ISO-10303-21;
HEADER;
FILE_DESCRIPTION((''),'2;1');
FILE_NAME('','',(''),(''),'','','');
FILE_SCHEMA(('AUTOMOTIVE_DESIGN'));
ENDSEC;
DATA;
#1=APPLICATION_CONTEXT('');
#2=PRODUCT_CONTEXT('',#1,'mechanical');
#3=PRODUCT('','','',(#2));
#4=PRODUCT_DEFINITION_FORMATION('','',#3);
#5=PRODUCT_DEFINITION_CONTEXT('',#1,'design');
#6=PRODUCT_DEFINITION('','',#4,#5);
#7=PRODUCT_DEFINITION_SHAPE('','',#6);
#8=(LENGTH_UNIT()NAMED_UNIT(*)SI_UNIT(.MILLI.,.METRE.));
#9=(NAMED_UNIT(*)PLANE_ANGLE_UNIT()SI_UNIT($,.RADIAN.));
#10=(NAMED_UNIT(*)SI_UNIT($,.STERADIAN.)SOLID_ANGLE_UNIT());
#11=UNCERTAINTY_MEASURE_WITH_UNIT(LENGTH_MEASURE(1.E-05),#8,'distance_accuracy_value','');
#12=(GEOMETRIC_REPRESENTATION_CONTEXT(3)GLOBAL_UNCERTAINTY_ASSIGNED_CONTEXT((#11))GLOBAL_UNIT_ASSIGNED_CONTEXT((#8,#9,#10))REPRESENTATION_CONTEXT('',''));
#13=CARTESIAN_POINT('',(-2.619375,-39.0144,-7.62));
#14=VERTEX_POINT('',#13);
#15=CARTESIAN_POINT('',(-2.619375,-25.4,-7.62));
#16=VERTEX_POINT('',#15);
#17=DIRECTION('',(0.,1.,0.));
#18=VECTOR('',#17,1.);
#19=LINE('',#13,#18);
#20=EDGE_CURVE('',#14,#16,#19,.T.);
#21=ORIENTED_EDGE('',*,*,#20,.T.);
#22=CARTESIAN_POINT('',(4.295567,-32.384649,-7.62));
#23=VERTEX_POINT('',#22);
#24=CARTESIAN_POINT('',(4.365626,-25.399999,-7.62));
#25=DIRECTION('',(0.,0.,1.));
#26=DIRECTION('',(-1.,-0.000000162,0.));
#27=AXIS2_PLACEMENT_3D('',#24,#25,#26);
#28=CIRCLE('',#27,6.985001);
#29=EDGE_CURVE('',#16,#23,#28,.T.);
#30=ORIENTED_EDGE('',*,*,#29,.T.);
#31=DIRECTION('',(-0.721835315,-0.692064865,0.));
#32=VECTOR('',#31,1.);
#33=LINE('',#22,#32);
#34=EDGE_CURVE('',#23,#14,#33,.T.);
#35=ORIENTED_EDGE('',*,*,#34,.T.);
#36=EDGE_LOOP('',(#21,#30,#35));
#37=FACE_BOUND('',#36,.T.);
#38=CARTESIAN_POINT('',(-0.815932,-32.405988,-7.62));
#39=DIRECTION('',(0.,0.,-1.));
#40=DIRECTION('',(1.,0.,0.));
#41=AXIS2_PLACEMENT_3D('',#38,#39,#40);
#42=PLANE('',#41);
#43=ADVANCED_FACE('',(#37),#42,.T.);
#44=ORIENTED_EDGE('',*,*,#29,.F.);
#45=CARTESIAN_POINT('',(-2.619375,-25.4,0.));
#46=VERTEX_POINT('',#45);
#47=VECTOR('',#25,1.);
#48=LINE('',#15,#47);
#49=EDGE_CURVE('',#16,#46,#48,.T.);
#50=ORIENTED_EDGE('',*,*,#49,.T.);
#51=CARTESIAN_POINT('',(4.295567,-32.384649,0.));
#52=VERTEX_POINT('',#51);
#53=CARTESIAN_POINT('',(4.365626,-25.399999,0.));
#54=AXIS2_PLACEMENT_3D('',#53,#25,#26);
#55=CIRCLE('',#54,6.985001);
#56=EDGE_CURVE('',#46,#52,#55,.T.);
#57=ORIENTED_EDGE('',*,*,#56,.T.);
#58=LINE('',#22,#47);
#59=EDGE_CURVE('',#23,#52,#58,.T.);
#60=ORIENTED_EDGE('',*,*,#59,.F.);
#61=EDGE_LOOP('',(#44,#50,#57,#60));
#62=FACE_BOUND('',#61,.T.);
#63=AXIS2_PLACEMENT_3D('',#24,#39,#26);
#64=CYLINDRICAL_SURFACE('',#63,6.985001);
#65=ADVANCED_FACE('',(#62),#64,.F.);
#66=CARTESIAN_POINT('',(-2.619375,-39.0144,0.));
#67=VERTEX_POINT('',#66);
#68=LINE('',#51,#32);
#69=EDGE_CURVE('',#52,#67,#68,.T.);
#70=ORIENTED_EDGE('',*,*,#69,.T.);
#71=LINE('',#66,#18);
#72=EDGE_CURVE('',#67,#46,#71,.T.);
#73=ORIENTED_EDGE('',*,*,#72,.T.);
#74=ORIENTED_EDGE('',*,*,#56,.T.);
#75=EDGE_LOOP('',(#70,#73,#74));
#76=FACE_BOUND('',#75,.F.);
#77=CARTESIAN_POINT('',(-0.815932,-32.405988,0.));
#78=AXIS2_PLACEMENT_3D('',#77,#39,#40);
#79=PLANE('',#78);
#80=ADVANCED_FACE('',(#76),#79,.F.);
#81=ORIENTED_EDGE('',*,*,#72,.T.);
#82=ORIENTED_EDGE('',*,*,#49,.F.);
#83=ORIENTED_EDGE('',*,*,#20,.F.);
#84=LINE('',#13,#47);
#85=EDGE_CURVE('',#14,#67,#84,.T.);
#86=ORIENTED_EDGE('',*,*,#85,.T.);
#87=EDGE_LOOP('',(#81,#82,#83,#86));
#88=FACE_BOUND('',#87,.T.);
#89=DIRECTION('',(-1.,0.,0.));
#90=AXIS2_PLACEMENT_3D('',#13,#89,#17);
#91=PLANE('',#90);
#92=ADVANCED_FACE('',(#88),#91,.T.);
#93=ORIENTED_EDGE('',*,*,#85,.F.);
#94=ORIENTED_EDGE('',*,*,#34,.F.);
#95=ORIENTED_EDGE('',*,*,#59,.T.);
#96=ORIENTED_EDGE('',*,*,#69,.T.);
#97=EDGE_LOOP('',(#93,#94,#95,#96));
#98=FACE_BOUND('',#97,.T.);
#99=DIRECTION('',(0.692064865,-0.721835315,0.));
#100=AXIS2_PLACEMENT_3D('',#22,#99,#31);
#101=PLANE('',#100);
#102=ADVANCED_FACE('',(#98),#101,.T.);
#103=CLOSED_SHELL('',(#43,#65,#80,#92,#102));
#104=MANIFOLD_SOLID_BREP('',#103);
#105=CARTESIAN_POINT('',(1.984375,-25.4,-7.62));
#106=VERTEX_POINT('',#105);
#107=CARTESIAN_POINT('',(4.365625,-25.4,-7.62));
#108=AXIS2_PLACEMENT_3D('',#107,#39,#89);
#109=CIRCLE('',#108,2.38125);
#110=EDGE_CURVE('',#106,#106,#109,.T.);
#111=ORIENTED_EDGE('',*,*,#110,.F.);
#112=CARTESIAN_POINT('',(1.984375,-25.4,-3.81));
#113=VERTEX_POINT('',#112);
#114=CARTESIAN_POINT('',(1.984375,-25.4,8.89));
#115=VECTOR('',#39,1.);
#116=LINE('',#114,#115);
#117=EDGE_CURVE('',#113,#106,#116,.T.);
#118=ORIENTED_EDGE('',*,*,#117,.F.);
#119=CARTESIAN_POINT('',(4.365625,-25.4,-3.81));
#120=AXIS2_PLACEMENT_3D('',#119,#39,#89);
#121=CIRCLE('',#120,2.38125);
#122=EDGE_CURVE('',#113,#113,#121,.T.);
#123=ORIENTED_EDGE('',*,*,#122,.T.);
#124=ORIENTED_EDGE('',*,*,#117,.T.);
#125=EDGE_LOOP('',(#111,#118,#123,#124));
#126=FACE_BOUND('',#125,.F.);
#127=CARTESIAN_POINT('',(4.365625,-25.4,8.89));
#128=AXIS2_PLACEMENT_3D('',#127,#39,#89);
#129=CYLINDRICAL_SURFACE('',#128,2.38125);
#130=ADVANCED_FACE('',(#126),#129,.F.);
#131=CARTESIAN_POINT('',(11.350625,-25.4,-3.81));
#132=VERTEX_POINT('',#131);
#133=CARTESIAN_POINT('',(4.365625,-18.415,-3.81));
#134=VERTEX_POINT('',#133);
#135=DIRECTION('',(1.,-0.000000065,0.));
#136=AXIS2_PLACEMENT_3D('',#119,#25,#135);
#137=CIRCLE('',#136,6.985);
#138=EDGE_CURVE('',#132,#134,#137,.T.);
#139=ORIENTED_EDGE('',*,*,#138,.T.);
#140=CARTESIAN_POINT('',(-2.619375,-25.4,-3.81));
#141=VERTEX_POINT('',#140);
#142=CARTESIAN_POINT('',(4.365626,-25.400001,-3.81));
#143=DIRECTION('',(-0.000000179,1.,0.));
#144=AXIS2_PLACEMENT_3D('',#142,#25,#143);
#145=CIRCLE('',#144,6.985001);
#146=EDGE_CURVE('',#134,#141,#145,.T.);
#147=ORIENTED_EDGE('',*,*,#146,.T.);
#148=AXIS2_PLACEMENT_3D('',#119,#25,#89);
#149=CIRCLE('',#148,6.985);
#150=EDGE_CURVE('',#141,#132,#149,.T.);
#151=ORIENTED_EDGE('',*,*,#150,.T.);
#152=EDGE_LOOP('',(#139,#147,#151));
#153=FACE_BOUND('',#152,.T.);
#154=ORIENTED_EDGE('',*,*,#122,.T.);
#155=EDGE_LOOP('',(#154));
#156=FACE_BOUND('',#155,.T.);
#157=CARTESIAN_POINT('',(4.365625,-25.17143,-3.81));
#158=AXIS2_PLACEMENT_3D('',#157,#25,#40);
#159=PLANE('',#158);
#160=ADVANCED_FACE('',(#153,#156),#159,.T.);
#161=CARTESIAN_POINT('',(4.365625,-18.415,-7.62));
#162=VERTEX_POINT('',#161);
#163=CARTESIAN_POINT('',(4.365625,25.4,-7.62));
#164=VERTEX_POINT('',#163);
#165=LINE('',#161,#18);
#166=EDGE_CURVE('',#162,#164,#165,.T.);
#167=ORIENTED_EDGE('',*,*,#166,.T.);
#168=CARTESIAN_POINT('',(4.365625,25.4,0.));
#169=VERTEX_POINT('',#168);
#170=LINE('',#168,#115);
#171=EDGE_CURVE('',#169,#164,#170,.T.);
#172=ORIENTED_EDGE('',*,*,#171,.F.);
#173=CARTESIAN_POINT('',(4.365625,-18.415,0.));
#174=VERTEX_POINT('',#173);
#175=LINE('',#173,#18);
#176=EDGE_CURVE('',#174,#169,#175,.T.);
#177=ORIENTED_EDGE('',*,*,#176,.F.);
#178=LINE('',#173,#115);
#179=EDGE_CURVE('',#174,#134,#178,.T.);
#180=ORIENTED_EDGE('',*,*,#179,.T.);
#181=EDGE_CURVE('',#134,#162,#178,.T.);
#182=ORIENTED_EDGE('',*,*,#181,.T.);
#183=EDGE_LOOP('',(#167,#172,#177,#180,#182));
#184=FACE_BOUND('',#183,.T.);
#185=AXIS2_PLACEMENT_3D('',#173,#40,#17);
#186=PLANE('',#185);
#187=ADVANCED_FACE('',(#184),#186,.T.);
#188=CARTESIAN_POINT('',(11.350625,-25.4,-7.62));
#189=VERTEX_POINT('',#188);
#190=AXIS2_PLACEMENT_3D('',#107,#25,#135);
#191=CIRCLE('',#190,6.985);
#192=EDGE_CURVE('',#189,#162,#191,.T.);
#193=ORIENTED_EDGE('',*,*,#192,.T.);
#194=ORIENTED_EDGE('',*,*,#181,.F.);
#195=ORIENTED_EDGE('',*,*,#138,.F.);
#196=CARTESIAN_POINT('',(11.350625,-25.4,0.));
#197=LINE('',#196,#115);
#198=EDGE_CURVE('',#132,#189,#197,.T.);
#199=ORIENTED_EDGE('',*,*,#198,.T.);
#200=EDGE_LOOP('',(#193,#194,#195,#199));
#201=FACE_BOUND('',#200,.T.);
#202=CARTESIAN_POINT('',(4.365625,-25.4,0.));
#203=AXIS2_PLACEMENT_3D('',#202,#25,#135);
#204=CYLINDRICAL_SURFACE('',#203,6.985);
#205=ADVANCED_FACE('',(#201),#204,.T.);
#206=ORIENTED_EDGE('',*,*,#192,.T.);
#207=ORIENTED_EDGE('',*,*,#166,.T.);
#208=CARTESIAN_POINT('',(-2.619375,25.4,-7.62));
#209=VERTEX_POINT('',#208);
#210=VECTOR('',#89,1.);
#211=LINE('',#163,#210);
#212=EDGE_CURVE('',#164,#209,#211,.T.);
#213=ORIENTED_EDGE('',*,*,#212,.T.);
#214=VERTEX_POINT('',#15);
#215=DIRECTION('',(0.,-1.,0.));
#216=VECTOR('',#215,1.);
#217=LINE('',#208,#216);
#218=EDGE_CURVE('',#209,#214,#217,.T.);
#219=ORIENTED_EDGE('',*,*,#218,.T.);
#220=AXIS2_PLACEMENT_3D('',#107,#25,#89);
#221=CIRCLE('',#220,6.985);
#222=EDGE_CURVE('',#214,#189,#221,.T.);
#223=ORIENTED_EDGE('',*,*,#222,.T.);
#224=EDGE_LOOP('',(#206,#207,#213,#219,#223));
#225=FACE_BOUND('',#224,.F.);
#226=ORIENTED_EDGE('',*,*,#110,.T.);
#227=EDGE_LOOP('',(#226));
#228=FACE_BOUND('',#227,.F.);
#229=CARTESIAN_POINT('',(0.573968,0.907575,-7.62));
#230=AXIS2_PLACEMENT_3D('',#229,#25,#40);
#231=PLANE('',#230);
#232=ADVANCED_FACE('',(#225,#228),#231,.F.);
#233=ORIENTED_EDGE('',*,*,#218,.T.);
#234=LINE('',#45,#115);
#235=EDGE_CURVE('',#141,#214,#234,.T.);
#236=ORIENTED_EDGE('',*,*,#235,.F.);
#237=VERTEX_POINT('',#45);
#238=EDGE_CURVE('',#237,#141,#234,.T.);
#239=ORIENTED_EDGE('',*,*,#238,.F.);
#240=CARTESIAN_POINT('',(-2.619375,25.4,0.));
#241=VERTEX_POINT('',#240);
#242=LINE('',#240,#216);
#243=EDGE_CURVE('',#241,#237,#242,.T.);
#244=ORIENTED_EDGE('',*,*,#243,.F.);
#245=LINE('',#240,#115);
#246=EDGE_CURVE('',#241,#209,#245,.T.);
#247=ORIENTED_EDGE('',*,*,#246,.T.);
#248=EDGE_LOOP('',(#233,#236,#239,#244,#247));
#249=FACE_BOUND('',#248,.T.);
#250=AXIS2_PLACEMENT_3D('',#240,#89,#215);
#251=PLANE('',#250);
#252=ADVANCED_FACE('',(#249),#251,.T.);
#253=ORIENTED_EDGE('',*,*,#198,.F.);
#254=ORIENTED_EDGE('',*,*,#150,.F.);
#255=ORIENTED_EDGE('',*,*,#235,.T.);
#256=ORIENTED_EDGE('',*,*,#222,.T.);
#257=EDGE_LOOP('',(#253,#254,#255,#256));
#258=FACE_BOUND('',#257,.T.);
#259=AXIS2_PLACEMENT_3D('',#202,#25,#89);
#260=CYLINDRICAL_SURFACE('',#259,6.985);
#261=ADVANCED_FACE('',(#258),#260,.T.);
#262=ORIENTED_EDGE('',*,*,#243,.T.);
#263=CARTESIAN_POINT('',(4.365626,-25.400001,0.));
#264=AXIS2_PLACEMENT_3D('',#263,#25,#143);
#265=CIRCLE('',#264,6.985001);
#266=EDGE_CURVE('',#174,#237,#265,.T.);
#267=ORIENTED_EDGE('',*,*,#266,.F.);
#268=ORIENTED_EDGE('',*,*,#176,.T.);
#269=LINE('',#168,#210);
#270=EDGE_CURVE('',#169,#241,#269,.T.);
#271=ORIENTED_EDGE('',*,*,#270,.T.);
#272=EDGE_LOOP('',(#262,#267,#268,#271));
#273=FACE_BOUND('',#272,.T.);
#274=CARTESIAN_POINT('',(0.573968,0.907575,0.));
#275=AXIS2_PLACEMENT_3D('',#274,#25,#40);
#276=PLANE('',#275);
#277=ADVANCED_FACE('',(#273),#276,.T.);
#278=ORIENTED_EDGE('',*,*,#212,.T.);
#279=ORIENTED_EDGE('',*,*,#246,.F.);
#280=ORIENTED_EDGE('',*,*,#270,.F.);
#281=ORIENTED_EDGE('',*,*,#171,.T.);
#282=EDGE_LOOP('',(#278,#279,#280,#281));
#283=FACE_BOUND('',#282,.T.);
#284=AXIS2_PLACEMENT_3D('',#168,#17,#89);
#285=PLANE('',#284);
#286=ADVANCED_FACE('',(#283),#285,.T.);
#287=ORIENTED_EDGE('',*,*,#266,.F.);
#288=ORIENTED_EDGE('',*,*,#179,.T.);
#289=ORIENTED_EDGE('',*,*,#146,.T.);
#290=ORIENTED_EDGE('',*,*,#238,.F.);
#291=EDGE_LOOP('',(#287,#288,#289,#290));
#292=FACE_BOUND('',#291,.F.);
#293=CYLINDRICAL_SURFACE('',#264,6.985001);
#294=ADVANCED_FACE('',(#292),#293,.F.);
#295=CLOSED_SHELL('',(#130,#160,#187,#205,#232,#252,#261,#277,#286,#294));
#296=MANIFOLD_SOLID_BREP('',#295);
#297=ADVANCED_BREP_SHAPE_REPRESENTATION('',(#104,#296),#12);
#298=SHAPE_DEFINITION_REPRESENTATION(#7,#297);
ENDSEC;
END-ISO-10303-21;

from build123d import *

# Parameters (mm, degrees)
F1_DEPTH = 7.62
F3_DEPTH = 3.81
F5_D     = 4.7625
F5_DEPTH = 12.7
F7_DEPTH = 7.62


with BuildPart() as f1:
    # F0 (on Top) → F1 (new body)
    with BuildSketch(Plane.XY):
        with BuildLine():
            Line((-2.619375, 25.4), (-2.619375, -25.4))
            ThreePointArc((-2.619375, -25.4), (-0.573515, -20.460859), (4.365625, -18.415))
            Line((4.365625, -18.415), (4.365625, 25.4))
            Line((4.365625, 25.4), (-2.619375, 25.4))
        make_face()
        with BuildLine():
            Line((4.365625, -18.415), (4.365625, -25.4))
            Line((4.365625, -25.4), (-2.619375, -25.4))
            ThreePointArc((-2.619375, -25.4), (4.365625, -32.385), (11.350625, -25.4))
            ThreePointArc((11.350625, -25.4), (9.304766, -20.460859), (4.365625, -18.415))
        make_face()
        with BuildLine():
            Line((-2.619375, -25.4), (4.365625, -25.4))
            Line((4.365625, -25.4), (4.365625, -18.415))
            ThreePointArc((4.365625, -18.415), (-0.573515, -20.460859), (-2.619375, -25.4))
        make_face()
    extrude(amount=-F1_DEPTH)

    # F2 (on face) → F3 (cut)
    with BuildSketch(Plane.XY):
        with BuildLine():
            ThreePointArc((-2.619375, -25.4), (4.365625, -32.385), (11.350625, -25.4))
            ThreePointArc((11.350625, -25.4), (9.304766, -20.460859), (4.365625, -18.415))
            ThreePointArc((4.365625, -18.415), (-0.573515, -20.460859), (-2.619375, -25.4))
        make_face()
    extrude(amount=-F3_DEPTH, mode=Mode.SUBTRACT)

    # F5
    with Locations(Plane.XY.offset(-3.81)):
        with Locations((4.365625, -25.4)):
            Hole(F5_D / 2, depth=F5_DEPTH)


with BuildPart() as f7:
    # F6 (on face) → F7 (new body)
    with BuildSketch(Plane(origin=(0, 0, -7.62), x_dir=(1, 0, 0), z_dir=(0, 0, -1))):
        with BuildLine():
            Line((-2.619375, 39.0144), (-2.619375, 25.4))
            ThreePointArc((-2.619375, 25.4), (-0.598223, 30.314309), (4.295567, 32.384649))
            Line((4.295567, 32.384649), (-2.619375, 39.0144))
        make_face()
    extrude(amount=-F7_DEPTH)


solid = Compound([f1.part, f7.part])
